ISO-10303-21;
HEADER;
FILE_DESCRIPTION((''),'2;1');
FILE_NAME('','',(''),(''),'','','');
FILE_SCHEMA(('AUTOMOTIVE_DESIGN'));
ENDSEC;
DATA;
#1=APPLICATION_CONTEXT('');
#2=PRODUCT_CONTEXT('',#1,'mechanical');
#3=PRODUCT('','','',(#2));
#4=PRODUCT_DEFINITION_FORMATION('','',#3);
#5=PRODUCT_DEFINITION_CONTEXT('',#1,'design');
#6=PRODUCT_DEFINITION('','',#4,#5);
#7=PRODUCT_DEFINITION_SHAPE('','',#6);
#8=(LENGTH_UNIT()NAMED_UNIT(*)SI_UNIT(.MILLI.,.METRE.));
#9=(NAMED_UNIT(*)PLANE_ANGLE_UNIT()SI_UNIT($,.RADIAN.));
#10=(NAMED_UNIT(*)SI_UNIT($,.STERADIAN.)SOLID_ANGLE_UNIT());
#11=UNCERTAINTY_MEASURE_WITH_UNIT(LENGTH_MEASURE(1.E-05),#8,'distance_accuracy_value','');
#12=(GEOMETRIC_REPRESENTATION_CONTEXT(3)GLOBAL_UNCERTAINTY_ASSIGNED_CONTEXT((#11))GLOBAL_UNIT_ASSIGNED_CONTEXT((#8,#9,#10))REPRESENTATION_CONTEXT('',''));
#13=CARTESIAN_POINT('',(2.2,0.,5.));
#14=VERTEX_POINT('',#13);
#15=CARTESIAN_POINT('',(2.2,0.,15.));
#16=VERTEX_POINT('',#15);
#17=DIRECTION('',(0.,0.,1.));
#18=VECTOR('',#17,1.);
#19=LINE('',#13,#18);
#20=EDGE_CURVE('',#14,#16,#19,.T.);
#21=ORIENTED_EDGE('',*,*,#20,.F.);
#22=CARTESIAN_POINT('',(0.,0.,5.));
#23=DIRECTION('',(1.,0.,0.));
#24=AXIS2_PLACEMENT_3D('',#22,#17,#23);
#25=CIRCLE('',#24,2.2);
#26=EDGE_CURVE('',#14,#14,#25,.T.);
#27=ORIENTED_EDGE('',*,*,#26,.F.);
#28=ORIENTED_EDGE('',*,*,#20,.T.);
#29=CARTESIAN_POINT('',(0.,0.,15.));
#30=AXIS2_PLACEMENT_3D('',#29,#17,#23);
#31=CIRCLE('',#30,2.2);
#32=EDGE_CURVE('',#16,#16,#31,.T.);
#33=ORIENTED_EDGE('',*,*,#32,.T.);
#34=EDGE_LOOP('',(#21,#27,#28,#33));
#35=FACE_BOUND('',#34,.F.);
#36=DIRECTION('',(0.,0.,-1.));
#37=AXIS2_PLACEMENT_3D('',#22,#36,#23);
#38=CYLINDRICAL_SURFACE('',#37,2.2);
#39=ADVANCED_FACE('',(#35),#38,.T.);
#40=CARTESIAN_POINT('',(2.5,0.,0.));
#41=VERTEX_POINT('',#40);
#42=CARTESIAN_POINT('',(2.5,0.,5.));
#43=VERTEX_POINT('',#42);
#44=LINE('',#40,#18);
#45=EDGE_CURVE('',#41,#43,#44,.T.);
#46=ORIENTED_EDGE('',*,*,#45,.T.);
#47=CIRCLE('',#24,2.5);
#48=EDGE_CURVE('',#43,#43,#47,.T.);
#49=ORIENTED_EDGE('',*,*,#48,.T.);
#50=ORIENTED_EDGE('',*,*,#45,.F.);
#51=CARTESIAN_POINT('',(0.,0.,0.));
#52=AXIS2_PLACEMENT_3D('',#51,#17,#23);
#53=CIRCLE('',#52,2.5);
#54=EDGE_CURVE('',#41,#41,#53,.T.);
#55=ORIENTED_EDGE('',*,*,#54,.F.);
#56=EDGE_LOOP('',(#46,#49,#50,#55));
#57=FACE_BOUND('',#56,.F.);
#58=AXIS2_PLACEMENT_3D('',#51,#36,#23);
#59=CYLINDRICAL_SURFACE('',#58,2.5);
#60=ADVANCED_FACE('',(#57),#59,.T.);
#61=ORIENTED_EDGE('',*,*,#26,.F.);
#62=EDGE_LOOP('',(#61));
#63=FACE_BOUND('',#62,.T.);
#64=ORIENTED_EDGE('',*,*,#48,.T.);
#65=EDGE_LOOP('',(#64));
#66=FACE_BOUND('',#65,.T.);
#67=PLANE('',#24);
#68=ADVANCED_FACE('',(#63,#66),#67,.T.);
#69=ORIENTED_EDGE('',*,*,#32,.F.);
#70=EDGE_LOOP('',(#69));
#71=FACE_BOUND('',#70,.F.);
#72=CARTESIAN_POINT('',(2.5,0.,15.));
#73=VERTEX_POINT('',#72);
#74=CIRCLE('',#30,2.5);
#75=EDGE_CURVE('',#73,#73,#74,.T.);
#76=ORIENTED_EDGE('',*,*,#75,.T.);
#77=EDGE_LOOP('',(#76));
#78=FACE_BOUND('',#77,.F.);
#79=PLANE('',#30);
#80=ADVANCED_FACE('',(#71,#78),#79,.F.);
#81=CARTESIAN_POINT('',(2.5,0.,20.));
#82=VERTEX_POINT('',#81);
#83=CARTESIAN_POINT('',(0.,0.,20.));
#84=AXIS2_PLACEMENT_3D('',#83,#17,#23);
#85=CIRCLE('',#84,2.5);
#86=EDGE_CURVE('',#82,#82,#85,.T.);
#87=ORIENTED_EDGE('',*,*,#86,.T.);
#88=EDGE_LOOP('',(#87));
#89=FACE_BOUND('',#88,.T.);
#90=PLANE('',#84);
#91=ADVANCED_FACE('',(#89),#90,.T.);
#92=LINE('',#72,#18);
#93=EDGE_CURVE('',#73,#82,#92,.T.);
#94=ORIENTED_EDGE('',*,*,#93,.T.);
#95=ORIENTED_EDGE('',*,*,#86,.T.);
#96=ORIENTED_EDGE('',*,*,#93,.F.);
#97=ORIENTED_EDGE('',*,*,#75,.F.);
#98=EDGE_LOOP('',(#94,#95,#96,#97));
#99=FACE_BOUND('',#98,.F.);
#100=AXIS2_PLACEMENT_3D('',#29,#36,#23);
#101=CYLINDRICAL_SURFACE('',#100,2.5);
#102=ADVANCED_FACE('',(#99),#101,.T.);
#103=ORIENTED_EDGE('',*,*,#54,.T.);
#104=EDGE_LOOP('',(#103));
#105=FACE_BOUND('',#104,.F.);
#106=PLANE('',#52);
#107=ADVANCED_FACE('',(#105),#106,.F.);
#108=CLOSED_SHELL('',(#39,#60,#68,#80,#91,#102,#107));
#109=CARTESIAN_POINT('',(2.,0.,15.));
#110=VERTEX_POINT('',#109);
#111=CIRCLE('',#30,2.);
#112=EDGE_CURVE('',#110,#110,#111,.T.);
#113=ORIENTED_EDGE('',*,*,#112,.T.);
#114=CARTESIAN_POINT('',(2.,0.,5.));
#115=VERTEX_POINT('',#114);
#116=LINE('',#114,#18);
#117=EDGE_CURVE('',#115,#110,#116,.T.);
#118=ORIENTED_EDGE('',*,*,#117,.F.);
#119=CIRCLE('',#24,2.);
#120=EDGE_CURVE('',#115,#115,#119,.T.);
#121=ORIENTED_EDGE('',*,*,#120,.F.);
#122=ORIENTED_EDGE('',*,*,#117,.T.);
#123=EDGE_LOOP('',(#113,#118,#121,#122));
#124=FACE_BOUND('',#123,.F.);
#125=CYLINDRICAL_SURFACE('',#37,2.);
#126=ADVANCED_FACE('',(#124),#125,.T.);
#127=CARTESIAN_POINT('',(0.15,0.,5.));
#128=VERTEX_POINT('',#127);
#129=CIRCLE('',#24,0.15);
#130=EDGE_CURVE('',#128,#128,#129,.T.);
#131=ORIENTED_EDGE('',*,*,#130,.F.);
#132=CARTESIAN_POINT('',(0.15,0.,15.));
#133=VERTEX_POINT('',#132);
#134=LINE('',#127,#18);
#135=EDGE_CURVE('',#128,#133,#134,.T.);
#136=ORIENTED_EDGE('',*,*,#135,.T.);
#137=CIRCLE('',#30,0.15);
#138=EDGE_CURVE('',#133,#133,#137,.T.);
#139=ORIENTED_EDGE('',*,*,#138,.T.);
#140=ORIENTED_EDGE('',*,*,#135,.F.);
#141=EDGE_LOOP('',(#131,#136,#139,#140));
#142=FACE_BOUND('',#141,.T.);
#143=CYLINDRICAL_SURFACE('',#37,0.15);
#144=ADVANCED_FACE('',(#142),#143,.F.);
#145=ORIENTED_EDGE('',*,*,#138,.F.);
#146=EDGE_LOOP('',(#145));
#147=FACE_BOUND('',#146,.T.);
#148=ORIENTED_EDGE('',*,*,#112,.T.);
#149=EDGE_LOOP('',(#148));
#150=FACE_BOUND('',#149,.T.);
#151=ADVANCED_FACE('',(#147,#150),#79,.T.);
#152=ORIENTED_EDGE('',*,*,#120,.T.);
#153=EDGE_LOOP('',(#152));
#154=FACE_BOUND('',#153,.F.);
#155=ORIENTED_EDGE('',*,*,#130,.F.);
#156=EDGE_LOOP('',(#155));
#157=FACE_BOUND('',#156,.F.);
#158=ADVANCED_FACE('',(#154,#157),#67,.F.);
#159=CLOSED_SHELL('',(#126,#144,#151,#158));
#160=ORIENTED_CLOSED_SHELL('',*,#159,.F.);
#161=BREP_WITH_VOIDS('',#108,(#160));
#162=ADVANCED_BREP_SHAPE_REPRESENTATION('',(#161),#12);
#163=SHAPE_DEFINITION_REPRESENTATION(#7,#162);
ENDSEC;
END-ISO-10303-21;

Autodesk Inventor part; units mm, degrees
ref_plane "YZ Plane" through (0, 0, 0) normal (1, 0, 0) x (0, 1, 0)
ref_plane "XZ Plane" through (0, 0, 0) normal (0, 1, 0) x (-1, 0, 0)
ref_plane "XY Plane" through (0, 0, 0) normal (0, 0, 1) x (1, 0, 0)
sketch "Sketch1" plane through (0, 0, 0) normal (0, 0, 1) x (1, 0, 0)
  circle A0 centre (0, 0) radius 2.5
  dimension "d0" = 5
extrude "Extrusion1" add sketch "Sketch1" along normal blind 5
sketch "Sketch2" plane through (0, 0, 5) normal (0, 0, 1) x (1, 0, 0)
  circle A0 centre (0, 0) radius 2.2
  circle A1 centre (0, 0) radius 2.5 projected
  circle A2 centre (0, 0) radius 2
  dimension "d3" = 4.4
  dimension "d4" = 4
extrude "Extrusion2" add sketch "Sketch2" along normal blind 10 contours A0
sketch "Sketch3" plane through (0, 0, 5) normal (0, 0, 1) x (1, 0, 0)
  circle A0 centre (0, 0) radius 0.15
  dimension "d7" = 0.3
extrude "Extrusion3" add sketch "Sketch3" along normal blind 10
sketch "Sketch4" plane through (0, 0, 15) normal (0, 0, 1) x (1, 0, 0)
  circle A0 centre (0, 0) radius 2.5
extrude "Extrusion4" add sketch "Sketch4" along normal blind 5
properties part number "EuropeanFuse3A"
